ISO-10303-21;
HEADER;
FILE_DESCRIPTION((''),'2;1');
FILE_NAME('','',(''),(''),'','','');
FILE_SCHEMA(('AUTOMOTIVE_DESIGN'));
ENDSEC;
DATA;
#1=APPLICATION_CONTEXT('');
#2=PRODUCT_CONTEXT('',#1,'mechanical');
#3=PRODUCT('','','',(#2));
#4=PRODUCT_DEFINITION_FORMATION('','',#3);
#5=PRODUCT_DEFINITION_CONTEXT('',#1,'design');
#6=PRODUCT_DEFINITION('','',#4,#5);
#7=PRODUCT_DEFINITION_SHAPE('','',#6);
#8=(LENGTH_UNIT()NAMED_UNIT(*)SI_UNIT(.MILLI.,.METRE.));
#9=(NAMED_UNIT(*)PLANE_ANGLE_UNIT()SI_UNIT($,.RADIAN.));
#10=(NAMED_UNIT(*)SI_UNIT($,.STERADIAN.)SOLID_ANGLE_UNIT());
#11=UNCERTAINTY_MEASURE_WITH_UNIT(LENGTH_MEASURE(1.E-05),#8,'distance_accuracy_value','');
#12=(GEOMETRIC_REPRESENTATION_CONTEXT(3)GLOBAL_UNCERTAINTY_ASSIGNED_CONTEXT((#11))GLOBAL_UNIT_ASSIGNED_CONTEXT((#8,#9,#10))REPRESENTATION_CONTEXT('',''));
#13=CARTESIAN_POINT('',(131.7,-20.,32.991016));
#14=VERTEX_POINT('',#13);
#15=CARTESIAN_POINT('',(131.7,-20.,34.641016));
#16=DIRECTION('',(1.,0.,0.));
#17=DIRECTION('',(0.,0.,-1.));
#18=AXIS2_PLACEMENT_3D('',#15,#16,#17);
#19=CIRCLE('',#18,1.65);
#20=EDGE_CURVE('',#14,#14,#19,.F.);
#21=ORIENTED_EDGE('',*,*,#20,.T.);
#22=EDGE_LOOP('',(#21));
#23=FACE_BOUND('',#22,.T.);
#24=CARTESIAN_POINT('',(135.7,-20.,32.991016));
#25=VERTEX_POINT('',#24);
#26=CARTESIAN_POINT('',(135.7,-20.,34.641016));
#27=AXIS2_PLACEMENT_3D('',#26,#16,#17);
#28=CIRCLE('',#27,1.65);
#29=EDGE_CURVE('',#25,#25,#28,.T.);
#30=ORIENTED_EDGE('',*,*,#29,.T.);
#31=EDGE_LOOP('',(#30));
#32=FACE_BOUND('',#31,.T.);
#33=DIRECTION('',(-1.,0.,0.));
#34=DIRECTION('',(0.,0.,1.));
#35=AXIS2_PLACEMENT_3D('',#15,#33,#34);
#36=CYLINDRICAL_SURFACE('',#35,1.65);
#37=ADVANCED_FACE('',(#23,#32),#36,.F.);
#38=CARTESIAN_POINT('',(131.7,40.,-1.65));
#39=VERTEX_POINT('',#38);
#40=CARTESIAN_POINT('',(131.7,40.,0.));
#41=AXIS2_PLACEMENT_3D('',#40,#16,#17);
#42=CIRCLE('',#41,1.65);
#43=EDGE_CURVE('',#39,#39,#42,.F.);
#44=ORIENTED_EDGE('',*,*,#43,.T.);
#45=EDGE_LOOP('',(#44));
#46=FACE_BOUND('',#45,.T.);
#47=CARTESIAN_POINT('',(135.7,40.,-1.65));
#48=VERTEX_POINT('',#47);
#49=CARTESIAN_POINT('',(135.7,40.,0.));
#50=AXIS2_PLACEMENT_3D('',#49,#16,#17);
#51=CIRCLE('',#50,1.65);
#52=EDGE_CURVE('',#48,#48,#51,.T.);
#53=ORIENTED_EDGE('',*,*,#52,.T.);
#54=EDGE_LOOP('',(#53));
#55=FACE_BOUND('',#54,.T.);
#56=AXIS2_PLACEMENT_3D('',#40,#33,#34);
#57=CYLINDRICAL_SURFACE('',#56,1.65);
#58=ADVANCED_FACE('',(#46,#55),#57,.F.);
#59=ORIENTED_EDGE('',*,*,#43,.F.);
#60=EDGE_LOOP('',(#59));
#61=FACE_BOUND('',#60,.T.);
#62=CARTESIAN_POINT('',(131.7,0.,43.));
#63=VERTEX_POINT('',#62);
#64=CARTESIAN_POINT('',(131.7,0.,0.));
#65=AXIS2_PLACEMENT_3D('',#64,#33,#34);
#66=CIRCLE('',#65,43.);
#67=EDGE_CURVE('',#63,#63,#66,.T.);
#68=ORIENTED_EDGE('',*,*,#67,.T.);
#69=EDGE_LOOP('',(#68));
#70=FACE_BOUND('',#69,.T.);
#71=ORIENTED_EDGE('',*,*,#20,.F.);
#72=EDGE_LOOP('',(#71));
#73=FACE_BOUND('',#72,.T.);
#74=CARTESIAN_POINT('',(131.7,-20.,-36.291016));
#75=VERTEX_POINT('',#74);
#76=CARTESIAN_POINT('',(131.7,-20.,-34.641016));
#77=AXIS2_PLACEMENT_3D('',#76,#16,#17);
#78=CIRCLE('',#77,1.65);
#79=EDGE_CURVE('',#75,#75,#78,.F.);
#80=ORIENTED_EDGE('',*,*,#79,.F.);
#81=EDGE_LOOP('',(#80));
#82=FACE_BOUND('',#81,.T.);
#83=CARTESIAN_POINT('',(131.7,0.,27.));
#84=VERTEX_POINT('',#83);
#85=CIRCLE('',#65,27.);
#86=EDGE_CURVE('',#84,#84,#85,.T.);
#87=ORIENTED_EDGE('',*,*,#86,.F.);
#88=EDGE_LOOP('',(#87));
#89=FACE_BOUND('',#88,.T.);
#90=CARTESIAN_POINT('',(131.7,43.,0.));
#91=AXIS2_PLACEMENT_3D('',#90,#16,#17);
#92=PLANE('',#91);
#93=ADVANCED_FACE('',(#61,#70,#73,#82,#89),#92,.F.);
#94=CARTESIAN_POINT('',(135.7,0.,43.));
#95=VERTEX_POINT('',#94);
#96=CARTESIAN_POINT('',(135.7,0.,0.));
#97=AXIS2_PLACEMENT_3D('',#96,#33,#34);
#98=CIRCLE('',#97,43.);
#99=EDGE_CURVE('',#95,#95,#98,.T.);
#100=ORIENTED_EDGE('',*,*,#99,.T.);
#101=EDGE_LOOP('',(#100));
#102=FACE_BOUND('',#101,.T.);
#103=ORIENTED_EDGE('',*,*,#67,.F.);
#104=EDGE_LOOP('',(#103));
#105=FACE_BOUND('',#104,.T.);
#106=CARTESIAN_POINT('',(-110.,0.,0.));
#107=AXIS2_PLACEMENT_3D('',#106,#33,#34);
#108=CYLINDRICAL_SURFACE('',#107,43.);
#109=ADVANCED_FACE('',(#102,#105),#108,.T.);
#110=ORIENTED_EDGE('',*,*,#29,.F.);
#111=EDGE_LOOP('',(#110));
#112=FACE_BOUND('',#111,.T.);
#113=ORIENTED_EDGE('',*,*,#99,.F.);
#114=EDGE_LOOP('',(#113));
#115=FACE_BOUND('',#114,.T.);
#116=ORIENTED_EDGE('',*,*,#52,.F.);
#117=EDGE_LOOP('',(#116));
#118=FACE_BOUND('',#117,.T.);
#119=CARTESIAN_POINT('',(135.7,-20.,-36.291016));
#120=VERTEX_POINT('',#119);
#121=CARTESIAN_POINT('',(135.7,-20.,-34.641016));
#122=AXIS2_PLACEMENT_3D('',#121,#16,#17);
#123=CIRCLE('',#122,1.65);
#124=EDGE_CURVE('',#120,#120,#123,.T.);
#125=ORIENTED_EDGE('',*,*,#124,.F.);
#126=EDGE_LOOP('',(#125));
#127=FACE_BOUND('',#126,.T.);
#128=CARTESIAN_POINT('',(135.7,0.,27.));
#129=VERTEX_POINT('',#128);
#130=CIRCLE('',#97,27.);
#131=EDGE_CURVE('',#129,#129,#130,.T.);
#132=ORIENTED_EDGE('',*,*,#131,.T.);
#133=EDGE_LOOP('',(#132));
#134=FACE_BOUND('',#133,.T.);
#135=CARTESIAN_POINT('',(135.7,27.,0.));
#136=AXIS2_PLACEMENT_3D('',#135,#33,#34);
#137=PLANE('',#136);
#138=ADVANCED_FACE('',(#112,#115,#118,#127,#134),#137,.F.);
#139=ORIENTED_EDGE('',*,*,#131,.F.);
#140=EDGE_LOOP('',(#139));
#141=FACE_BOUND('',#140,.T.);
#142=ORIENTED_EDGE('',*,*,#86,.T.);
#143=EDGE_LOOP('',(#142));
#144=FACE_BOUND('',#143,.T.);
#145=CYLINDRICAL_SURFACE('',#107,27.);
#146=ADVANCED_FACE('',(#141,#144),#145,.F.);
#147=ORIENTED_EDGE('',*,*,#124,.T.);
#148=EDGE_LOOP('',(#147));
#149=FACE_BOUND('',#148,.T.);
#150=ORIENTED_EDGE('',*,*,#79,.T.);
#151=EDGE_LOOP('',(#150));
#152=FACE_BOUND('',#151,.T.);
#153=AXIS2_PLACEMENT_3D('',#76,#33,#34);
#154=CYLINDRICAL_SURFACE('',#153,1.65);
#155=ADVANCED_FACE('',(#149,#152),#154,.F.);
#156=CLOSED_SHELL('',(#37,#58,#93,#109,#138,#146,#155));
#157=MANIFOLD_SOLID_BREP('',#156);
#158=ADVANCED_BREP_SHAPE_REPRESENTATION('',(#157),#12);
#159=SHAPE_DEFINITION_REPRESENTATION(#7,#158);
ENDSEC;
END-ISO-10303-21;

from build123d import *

# Parameters (mm, degrees)
AXIAL_PROFILE_MM_W     = 4
AXIAL_PROFILE_MM_H     = 16
AXIAL_HOLES_DEPTH      = 149.702689955
AXIAL_HOLES_DEPTH_BACK = 149.702689955
SKETCH2_R              = 1.65


with BuildPart() as part:
    # Axial profile (mm) → Full revolution (revolve)
    with BuildSketch(Plane.XY, mode=Mode.PRIVATE) as full_revolution_sk:
        with Locations((133.7, 35)):
            Rectangle(AXIAL_PROFILE_MM_W, AXIAL_PROFILE_MM_H)
    revolve(full_revolution_sk.sketch.rotate(Axis((-110, 0, 0), (1, 0, 0)), 90), axis=Axis((-110, 0, 0), (1, 0, 0)))

    # Sketch2 → Axial holes (cut, two sides: drawn at the far end of the back side and taken through both)
    with BuildSketch(Plane(origin=(0, 0, 0), x_dir=(0, 0, -1), z_dir=(1, 0, 0)).offset(-AXIAL_HOLES_DEPTH_BACK)):
        with Locations((0, 40)):
            Circle(SKETCH2_R)
        with Locations((-34.641016151, -20)):
            Circle(SKETCH2_R)
        with Locations((34.641016151, -20)):
            Circle(SKETCH2_R)
    extrude(amount=AXIAL_HOLES_DEPTH + AXIAL_HOLES_DEPTH_BACK, mode=Mode.SUBTRACT)


solid = part.part
